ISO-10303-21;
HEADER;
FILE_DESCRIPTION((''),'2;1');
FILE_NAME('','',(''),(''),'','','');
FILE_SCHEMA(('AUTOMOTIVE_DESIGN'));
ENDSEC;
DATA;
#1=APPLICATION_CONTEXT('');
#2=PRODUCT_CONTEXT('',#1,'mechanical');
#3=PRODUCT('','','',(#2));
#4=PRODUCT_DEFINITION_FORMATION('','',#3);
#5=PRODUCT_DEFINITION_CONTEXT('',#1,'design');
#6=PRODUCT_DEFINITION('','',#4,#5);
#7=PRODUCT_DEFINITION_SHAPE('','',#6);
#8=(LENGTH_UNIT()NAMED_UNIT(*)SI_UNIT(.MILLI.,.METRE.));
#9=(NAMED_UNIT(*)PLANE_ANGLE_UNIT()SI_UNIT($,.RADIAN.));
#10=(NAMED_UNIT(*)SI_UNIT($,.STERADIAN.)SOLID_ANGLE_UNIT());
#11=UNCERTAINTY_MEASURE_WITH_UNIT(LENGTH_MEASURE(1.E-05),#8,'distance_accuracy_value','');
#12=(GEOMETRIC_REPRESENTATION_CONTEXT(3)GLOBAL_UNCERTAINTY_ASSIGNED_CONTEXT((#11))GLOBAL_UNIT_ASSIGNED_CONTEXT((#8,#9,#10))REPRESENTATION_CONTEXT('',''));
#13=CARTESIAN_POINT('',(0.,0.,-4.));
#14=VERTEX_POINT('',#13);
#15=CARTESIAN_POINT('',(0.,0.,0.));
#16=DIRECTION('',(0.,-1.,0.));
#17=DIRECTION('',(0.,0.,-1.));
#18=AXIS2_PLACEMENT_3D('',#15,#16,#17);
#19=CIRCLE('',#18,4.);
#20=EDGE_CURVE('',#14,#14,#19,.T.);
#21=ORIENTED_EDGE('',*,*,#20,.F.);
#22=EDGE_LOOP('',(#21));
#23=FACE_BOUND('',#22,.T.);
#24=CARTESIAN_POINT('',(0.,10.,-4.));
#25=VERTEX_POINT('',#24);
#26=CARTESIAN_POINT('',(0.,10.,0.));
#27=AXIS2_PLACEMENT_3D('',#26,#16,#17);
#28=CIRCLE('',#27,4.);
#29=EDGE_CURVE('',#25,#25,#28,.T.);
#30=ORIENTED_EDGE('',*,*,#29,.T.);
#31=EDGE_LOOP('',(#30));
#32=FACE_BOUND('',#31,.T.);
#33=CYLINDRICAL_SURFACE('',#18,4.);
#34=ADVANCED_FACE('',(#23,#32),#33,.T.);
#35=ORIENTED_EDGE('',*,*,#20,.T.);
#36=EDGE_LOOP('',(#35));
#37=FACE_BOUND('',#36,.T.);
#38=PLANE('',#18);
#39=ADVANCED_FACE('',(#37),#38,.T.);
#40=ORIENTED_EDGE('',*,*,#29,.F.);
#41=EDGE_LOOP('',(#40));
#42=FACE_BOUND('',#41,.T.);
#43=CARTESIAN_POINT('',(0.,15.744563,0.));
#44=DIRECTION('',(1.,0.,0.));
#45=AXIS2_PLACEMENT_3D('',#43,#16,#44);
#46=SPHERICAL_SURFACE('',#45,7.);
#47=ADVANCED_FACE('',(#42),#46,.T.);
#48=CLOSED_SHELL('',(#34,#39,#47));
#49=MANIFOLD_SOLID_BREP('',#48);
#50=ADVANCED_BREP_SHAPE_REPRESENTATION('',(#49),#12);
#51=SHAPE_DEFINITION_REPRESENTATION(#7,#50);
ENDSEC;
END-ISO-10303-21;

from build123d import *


with BuildPart() as part:
    # 草图1 → 旋转1 (revolve)
    with BuildSketch(Plane.XY):
        with BuildLine():
            Line((0, 0), (4, 0))
            Line((4, 0), (4, 10))
            ThreePointArc((4, 10), (6.678770041, 17.840756993), (0, 22.744562647))
            Line((0, 22.744562647), (0, 0))
        make_face()
    revolve(axis=Axis((0, 0, 0), (0, 1, 0)))


solid = part.part
